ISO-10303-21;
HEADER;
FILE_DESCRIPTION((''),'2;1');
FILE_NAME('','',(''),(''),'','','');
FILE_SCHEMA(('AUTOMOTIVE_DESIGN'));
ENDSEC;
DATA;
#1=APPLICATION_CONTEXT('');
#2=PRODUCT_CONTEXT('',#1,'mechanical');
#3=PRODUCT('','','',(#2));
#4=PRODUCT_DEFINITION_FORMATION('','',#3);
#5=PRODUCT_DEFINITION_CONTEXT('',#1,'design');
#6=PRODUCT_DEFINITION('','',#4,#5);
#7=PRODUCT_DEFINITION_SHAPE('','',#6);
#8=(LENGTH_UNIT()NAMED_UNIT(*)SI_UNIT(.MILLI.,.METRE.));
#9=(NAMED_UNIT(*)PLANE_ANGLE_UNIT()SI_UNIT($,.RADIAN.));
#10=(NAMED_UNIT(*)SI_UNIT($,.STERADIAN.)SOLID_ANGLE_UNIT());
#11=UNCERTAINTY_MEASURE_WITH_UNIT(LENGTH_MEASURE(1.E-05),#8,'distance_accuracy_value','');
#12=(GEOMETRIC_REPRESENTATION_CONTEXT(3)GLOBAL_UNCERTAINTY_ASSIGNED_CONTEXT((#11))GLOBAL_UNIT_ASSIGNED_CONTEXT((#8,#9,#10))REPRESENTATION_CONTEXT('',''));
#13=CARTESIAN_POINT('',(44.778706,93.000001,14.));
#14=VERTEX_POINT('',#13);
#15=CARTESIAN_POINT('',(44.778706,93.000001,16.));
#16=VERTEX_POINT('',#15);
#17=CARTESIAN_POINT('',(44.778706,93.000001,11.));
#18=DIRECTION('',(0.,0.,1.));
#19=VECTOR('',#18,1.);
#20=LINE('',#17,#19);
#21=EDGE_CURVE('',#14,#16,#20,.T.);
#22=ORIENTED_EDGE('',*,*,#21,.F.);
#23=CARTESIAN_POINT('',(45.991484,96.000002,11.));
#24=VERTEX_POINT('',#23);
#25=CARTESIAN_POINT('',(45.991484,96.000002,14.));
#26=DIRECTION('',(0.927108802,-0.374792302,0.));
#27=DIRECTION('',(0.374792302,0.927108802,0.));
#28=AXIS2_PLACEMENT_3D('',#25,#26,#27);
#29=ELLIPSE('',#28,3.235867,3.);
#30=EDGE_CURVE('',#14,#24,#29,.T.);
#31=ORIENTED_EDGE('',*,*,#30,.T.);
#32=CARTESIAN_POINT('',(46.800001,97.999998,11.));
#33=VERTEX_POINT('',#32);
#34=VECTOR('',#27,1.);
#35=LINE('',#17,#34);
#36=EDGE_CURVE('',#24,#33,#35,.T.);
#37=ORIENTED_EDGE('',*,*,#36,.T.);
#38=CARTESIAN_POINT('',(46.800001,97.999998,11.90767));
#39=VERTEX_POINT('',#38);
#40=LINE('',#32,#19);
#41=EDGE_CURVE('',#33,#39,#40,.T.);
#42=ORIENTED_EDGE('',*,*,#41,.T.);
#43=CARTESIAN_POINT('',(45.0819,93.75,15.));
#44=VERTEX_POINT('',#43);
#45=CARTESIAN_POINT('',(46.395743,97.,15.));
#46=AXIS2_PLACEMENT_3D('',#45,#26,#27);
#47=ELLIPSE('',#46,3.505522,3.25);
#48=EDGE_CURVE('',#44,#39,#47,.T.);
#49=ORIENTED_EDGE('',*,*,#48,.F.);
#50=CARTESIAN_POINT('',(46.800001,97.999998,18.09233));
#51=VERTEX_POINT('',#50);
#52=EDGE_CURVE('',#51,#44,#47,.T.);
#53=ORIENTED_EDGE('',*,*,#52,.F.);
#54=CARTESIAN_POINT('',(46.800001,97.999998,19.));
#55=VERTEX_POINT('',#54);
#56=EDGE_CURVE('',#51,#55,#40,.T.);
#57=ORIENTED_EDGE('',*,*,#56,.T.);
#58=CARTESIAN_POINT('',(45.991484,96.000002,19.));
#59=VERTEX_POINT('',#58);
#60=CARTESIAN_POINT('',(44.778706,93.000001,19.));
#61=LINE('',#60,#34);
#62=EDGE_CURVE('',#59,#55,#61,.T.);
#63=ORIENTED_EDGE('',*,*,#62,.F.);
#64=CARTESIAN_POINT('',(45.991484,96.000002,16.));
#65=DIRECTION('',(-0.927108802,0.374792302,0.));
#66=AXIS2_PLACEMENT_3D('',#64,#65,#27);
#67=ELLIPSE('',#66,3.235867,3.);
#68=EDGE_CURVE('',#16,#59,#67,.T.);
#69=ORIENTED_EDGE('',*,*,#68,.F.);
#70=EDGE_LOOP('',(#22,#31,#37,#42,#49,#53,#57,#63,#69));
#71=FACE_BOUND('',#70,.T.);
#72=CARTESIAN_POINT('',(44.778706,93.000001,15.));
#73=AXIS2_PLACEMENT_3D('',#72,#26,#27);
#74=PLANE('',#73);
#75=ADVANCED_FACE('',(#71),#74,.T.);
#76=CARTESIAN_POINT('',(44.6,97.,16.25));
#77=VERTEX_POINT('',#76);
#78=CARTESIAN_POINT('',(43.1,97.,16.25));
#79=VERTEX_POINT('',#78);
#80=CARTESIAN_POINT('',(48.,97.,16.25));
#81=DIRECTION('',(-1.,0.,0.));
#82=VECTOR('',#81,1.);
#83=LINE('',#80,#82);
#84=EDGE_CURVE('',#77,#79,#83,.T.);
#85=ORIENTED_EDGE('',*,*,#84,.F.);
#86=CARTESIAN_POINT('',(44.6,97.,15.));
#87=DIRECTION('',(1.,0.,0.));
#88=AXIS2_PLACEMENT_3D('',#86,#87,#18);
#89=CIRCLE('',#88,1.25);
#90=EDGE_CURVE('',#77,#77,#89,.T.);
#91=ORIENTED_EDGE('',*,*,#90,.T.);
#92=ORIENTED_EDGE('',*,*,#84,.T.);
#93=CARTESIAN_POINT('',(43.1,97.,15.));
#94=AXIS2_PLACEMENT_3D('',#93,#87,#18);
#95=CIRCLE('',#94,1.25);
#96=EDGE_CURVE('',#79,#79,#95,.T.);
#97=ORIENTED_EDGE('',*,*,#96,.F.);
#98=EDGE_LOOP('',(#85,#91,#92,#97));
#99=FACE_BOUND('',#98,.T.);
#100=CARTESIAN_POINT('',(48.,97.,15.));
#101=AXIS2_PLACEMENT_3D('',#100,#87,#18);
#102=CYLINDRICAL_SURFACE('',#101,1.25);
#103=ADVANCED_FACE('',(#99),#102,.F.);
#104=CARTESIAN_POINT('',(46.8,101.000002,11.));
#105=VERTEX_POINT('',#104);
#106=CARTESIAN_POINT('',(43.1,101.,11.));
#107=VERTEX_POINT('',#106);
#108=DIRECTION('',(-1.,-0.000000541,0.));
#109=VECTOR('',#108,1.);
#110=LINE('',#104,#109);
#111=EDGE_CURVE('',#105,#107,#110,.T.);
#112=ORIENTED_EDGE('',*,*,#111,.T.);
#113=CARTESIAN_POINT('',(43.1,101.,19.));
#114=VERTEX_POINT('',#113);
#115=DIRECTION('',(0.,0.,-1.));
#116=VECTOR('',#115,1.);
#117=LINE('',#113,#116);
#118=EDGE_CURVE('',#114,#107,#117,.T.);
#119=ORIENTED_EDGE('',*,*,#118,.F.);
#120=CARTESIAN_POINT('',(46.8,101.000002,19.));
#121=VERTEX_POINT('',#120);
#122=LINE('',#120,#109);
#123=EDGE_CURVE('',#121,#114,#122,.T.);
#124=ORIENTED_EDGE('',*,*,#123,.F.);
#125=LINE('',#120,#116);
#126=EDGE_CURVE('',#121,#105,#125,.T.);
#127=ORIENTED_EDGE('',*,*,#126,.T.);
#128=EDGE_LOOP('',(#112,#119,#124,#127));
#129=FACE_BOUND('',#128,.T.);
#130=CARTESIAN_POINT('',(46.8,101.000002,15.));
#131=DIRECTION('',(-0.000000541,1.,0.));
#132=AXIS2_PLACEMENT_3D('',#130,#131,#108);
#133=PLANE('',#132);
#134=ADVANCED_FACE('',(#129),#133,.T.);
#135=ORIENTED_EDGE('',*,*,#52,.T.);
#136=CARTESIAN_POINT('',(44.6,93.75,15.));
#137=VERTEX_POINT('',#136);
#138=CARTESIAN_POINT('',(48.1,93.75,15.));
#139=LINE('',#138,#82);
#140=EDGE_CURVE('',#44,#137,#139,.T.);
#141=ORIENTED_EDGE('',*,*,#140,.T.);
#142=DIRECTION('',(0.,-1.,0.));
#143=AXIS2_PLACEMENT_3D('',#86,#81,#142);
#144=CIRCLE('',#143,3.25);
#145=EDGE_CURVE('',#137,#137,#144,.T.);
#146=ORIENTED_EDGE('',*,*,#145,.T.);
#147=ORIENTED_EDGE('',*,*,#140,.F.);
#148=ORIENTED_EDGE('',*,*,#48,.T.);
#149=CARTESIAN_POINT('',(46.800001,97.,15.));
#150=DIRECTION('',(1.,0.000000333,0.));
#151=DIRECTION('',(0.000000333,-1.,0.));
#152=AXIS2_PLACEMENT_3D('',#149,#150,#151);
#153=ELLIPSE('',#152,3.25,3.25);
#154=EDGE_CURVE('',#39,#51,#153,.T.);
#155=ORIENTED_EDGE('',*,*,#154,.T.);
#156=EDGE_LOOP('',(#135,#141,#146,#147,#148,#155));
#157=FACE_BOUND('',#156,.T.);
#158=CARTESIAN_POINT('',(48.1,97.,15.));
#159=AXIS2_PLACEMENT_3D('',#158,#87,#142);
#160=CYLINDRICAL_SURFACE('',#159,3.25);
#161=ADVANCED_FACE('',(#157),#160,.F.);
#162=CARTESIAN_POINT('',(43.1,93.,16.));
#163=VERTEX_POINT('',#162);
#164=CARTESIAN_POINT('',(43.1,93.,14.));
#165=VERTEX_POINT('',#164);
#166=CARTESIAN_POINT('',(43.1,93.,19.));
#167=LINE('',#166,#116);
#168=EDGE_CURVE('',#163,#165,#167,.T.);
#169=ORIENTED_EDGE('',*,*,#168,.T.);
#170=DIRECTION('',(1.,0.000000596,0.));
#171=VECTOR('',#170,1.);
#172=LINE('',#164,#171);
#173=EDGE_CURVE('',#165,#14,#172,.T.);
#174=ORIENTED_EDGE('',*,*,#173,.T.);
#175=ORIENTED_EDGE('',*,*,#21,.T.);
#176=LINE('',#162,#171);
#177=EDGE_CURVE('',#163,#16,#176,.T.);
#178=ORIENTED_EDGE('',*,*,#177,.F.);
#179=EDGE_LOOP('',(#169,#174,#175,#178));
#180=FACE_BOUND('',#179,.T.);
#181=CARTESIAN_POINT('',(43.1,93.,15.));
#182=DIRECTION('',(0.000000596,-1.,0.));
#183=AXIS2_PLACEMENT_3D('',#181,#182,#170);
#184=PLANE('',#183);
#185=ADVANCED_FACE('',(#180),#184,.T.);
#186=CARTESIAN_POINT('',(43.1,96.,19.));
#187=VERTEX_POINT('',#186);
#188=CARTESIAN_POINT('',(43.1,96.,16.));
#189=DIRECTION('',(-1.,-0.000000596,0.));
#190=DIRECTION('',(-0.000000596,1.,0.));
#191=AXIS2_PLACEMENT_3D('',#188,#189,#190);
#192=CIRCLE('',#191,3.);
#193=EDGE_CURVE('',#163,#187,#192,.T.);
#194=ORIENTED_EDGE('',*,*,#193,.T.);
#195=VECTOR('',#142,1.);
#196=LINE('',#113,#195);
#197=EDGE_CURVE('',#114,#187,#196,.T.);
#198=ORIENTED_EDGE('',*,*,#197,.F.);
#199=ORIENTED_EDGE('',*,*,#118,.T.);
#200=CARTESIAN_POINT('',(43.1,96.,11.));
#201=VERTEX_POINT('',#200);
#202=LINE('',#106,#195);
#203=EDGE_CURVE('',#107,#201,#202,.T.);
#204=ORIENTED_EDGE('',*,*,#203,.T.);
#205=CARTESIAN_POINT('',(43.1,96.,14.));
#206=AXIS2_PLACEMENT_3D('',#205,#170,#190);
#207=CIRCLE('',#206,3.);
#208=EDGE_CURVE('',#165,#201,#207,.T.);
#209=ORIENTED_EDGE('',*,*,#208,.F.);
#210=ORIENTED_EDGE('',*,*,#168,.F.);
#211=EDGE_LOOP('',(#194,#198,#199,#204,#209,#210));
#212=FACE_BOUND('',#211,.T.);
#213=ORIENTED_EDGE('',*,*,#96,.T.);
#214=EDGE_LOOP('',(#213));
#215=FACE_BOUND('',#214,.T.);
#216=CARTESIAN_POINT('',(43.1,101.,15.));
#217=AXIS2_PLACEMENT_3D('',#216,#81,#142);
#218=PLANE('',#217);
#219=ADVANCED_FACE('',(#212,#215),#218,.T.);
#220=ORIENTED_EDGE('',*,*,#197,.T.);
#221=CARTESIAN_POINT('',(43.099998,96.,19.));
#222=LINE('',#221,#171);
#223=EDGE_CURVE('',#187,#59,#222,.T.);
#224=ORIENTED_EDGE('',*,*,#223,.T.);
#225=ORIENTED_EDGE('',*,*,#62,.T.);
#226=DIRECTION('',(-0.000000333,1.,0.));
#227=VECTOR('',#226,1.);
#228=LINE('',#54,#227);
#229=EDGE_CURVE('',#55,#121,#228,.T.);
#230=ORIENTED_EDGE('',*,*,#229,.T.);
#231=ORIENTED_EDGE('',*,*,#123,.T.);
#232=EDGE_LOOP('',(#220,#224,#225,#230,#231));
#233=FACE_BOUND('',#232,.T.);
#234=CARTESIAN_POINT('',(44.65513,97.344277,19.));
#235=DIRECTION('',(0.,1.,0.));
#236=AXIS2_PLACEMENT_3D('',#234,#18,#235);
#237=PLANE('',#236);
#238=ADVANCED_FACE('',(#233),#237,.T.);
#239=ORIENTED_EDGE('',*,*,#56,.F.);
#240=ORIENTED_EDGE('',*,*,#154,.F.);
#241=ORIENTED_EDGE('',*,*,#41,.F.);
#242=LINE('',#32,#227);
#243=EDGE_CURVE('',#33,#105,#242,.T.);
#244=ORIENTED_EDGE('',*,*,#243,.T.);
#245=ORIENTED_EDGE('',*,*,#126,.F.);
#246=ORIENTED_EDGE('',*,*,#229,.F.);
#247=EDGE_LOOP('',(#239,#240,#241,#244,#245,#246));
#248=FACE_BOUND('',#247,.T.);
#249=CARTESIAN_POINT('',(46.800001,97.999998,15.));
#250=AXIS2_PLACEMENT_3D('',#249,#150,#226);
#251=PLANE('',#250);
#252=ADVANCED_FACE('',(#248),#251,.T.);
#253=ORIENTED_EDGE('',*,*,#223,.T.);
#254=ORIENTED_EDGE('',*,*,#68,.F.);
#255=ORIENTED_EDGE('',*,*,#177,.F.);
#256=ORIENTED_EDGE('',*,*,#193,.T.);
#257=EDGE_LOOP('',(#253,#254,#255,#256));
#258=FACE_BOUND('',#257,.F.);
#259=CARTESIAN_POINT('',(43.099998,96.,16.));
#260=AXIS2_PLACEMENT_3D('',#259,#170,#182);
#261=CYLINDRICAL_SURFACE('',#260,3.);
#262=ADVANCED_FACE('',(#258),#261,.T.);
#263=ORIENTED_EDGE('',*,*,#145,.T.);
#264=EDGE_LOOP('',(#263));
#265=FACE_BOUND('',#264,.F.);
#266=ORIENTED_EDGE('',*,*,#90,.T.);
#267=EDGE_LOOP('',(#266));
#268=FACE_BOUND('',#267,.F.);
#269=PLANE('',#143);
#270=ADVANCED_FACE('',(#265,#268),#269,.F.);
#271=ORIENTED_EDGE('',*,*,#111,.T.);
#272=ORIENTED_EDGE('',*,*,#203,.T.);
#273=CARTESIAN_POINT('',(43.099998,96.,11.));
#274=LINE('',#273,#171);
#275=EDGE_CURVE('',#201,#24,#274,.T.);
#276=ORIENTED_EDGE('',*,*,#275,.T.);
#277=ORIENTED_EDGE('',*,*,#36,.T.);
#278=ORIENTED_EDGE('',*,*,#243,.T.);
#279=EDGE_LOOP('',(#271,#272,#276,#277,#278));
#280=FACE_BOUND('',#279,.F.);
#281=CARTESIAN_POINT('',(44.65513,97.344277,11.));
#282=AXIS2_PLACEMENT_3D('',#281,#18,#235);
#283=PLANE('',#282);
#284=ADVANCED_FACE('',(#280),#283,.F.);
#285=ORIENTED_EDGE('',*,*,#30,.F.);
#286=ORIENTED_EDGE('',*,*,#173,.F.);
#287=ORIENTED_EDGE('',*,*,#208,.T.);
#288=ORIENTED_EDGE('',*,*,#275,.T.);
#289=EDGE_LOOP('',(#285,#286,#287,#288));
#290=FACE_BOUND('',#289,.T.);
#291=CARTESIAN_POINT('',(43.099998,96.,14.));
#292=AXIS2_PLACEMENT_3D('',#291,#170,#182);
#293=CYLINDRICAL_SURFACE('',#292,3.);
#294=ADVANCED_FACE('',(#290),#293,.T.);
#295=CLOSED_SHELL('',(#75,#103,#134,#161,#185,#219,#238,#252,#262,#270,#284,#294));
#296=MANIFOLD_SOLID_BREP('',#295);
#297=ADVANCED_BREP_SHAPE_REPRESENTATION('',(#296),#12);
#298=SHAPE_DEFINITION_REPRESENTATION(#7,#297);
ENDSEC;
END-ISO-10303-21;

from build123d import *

# Parameters (mm, degrees)
PAD026_DEPTH            = 4
SKETCH054_R             = 3.25
POCKET017_DEPTH         = 3.5
SKETCH056_R             = 1.25
POCKET018_DEPTH         = 5
FILLET001_R             = 3
BODY040_PLACEMENT_ANGLE = 90


with BuildPart() as part:
    # Sketch052 → Pad026 (new body, symmetric)
    with BuildSketch(Plane.YZ.offset(-96)):
        Polygon((93, 26.9), (93.000001, 25.221294), (97.999998, 23.199999), (101.000002, 23.2), (101, 26.9), align=None)
    extrude(amount=PAD026_DEPTH, both=True)

    # Sketch054 (on Face5 of Pad026) → Pocket017 (cut)
    with BuildSketch(Plane(origin=(0, 0, 21.9), x_dir=(0, -1, 0), z_dir=(0, 0, 1))):
        with Locations((-97, -96)):
            Circle(SKETCH054_R)
    extrude(amount=POCKET017_DEPTH, mode=Mode.SUBTRACT)

    # Sketch056 → Pocket018 (cut)
    with BuildSketch(Plane.XY.offset(22)):
        with Locations((-96, 97)):
            Circle(SKETCH056_R)
    extrude(amount=POCKET018_DEPTH, mode=Mode.SUBTRACT)

    # Fillet001
    fillet001_edges = [part.edges().sort_by_distance(p)[0] for p in [
        (-92, 93.000001, 26.060647),
        (-100, 93.000001, 26.060647),
    ]]
    fillet(fillet001_edges, radius=FILLET001_R)


with BuildPart() as part_1:
    # Body040 placement: moved
    add(part.part.moved(Location((-122, 0, 111))).rotate(Axis((-122, 0, 111), (0, -1, 0)), BODY040_PLACEMENT_ANGLE))


with BuildPart() as part_2:
    # Body046 placement: moved
    add(part_1.part.moved(Location((192, 0, 0))))


solid = part_2.part
